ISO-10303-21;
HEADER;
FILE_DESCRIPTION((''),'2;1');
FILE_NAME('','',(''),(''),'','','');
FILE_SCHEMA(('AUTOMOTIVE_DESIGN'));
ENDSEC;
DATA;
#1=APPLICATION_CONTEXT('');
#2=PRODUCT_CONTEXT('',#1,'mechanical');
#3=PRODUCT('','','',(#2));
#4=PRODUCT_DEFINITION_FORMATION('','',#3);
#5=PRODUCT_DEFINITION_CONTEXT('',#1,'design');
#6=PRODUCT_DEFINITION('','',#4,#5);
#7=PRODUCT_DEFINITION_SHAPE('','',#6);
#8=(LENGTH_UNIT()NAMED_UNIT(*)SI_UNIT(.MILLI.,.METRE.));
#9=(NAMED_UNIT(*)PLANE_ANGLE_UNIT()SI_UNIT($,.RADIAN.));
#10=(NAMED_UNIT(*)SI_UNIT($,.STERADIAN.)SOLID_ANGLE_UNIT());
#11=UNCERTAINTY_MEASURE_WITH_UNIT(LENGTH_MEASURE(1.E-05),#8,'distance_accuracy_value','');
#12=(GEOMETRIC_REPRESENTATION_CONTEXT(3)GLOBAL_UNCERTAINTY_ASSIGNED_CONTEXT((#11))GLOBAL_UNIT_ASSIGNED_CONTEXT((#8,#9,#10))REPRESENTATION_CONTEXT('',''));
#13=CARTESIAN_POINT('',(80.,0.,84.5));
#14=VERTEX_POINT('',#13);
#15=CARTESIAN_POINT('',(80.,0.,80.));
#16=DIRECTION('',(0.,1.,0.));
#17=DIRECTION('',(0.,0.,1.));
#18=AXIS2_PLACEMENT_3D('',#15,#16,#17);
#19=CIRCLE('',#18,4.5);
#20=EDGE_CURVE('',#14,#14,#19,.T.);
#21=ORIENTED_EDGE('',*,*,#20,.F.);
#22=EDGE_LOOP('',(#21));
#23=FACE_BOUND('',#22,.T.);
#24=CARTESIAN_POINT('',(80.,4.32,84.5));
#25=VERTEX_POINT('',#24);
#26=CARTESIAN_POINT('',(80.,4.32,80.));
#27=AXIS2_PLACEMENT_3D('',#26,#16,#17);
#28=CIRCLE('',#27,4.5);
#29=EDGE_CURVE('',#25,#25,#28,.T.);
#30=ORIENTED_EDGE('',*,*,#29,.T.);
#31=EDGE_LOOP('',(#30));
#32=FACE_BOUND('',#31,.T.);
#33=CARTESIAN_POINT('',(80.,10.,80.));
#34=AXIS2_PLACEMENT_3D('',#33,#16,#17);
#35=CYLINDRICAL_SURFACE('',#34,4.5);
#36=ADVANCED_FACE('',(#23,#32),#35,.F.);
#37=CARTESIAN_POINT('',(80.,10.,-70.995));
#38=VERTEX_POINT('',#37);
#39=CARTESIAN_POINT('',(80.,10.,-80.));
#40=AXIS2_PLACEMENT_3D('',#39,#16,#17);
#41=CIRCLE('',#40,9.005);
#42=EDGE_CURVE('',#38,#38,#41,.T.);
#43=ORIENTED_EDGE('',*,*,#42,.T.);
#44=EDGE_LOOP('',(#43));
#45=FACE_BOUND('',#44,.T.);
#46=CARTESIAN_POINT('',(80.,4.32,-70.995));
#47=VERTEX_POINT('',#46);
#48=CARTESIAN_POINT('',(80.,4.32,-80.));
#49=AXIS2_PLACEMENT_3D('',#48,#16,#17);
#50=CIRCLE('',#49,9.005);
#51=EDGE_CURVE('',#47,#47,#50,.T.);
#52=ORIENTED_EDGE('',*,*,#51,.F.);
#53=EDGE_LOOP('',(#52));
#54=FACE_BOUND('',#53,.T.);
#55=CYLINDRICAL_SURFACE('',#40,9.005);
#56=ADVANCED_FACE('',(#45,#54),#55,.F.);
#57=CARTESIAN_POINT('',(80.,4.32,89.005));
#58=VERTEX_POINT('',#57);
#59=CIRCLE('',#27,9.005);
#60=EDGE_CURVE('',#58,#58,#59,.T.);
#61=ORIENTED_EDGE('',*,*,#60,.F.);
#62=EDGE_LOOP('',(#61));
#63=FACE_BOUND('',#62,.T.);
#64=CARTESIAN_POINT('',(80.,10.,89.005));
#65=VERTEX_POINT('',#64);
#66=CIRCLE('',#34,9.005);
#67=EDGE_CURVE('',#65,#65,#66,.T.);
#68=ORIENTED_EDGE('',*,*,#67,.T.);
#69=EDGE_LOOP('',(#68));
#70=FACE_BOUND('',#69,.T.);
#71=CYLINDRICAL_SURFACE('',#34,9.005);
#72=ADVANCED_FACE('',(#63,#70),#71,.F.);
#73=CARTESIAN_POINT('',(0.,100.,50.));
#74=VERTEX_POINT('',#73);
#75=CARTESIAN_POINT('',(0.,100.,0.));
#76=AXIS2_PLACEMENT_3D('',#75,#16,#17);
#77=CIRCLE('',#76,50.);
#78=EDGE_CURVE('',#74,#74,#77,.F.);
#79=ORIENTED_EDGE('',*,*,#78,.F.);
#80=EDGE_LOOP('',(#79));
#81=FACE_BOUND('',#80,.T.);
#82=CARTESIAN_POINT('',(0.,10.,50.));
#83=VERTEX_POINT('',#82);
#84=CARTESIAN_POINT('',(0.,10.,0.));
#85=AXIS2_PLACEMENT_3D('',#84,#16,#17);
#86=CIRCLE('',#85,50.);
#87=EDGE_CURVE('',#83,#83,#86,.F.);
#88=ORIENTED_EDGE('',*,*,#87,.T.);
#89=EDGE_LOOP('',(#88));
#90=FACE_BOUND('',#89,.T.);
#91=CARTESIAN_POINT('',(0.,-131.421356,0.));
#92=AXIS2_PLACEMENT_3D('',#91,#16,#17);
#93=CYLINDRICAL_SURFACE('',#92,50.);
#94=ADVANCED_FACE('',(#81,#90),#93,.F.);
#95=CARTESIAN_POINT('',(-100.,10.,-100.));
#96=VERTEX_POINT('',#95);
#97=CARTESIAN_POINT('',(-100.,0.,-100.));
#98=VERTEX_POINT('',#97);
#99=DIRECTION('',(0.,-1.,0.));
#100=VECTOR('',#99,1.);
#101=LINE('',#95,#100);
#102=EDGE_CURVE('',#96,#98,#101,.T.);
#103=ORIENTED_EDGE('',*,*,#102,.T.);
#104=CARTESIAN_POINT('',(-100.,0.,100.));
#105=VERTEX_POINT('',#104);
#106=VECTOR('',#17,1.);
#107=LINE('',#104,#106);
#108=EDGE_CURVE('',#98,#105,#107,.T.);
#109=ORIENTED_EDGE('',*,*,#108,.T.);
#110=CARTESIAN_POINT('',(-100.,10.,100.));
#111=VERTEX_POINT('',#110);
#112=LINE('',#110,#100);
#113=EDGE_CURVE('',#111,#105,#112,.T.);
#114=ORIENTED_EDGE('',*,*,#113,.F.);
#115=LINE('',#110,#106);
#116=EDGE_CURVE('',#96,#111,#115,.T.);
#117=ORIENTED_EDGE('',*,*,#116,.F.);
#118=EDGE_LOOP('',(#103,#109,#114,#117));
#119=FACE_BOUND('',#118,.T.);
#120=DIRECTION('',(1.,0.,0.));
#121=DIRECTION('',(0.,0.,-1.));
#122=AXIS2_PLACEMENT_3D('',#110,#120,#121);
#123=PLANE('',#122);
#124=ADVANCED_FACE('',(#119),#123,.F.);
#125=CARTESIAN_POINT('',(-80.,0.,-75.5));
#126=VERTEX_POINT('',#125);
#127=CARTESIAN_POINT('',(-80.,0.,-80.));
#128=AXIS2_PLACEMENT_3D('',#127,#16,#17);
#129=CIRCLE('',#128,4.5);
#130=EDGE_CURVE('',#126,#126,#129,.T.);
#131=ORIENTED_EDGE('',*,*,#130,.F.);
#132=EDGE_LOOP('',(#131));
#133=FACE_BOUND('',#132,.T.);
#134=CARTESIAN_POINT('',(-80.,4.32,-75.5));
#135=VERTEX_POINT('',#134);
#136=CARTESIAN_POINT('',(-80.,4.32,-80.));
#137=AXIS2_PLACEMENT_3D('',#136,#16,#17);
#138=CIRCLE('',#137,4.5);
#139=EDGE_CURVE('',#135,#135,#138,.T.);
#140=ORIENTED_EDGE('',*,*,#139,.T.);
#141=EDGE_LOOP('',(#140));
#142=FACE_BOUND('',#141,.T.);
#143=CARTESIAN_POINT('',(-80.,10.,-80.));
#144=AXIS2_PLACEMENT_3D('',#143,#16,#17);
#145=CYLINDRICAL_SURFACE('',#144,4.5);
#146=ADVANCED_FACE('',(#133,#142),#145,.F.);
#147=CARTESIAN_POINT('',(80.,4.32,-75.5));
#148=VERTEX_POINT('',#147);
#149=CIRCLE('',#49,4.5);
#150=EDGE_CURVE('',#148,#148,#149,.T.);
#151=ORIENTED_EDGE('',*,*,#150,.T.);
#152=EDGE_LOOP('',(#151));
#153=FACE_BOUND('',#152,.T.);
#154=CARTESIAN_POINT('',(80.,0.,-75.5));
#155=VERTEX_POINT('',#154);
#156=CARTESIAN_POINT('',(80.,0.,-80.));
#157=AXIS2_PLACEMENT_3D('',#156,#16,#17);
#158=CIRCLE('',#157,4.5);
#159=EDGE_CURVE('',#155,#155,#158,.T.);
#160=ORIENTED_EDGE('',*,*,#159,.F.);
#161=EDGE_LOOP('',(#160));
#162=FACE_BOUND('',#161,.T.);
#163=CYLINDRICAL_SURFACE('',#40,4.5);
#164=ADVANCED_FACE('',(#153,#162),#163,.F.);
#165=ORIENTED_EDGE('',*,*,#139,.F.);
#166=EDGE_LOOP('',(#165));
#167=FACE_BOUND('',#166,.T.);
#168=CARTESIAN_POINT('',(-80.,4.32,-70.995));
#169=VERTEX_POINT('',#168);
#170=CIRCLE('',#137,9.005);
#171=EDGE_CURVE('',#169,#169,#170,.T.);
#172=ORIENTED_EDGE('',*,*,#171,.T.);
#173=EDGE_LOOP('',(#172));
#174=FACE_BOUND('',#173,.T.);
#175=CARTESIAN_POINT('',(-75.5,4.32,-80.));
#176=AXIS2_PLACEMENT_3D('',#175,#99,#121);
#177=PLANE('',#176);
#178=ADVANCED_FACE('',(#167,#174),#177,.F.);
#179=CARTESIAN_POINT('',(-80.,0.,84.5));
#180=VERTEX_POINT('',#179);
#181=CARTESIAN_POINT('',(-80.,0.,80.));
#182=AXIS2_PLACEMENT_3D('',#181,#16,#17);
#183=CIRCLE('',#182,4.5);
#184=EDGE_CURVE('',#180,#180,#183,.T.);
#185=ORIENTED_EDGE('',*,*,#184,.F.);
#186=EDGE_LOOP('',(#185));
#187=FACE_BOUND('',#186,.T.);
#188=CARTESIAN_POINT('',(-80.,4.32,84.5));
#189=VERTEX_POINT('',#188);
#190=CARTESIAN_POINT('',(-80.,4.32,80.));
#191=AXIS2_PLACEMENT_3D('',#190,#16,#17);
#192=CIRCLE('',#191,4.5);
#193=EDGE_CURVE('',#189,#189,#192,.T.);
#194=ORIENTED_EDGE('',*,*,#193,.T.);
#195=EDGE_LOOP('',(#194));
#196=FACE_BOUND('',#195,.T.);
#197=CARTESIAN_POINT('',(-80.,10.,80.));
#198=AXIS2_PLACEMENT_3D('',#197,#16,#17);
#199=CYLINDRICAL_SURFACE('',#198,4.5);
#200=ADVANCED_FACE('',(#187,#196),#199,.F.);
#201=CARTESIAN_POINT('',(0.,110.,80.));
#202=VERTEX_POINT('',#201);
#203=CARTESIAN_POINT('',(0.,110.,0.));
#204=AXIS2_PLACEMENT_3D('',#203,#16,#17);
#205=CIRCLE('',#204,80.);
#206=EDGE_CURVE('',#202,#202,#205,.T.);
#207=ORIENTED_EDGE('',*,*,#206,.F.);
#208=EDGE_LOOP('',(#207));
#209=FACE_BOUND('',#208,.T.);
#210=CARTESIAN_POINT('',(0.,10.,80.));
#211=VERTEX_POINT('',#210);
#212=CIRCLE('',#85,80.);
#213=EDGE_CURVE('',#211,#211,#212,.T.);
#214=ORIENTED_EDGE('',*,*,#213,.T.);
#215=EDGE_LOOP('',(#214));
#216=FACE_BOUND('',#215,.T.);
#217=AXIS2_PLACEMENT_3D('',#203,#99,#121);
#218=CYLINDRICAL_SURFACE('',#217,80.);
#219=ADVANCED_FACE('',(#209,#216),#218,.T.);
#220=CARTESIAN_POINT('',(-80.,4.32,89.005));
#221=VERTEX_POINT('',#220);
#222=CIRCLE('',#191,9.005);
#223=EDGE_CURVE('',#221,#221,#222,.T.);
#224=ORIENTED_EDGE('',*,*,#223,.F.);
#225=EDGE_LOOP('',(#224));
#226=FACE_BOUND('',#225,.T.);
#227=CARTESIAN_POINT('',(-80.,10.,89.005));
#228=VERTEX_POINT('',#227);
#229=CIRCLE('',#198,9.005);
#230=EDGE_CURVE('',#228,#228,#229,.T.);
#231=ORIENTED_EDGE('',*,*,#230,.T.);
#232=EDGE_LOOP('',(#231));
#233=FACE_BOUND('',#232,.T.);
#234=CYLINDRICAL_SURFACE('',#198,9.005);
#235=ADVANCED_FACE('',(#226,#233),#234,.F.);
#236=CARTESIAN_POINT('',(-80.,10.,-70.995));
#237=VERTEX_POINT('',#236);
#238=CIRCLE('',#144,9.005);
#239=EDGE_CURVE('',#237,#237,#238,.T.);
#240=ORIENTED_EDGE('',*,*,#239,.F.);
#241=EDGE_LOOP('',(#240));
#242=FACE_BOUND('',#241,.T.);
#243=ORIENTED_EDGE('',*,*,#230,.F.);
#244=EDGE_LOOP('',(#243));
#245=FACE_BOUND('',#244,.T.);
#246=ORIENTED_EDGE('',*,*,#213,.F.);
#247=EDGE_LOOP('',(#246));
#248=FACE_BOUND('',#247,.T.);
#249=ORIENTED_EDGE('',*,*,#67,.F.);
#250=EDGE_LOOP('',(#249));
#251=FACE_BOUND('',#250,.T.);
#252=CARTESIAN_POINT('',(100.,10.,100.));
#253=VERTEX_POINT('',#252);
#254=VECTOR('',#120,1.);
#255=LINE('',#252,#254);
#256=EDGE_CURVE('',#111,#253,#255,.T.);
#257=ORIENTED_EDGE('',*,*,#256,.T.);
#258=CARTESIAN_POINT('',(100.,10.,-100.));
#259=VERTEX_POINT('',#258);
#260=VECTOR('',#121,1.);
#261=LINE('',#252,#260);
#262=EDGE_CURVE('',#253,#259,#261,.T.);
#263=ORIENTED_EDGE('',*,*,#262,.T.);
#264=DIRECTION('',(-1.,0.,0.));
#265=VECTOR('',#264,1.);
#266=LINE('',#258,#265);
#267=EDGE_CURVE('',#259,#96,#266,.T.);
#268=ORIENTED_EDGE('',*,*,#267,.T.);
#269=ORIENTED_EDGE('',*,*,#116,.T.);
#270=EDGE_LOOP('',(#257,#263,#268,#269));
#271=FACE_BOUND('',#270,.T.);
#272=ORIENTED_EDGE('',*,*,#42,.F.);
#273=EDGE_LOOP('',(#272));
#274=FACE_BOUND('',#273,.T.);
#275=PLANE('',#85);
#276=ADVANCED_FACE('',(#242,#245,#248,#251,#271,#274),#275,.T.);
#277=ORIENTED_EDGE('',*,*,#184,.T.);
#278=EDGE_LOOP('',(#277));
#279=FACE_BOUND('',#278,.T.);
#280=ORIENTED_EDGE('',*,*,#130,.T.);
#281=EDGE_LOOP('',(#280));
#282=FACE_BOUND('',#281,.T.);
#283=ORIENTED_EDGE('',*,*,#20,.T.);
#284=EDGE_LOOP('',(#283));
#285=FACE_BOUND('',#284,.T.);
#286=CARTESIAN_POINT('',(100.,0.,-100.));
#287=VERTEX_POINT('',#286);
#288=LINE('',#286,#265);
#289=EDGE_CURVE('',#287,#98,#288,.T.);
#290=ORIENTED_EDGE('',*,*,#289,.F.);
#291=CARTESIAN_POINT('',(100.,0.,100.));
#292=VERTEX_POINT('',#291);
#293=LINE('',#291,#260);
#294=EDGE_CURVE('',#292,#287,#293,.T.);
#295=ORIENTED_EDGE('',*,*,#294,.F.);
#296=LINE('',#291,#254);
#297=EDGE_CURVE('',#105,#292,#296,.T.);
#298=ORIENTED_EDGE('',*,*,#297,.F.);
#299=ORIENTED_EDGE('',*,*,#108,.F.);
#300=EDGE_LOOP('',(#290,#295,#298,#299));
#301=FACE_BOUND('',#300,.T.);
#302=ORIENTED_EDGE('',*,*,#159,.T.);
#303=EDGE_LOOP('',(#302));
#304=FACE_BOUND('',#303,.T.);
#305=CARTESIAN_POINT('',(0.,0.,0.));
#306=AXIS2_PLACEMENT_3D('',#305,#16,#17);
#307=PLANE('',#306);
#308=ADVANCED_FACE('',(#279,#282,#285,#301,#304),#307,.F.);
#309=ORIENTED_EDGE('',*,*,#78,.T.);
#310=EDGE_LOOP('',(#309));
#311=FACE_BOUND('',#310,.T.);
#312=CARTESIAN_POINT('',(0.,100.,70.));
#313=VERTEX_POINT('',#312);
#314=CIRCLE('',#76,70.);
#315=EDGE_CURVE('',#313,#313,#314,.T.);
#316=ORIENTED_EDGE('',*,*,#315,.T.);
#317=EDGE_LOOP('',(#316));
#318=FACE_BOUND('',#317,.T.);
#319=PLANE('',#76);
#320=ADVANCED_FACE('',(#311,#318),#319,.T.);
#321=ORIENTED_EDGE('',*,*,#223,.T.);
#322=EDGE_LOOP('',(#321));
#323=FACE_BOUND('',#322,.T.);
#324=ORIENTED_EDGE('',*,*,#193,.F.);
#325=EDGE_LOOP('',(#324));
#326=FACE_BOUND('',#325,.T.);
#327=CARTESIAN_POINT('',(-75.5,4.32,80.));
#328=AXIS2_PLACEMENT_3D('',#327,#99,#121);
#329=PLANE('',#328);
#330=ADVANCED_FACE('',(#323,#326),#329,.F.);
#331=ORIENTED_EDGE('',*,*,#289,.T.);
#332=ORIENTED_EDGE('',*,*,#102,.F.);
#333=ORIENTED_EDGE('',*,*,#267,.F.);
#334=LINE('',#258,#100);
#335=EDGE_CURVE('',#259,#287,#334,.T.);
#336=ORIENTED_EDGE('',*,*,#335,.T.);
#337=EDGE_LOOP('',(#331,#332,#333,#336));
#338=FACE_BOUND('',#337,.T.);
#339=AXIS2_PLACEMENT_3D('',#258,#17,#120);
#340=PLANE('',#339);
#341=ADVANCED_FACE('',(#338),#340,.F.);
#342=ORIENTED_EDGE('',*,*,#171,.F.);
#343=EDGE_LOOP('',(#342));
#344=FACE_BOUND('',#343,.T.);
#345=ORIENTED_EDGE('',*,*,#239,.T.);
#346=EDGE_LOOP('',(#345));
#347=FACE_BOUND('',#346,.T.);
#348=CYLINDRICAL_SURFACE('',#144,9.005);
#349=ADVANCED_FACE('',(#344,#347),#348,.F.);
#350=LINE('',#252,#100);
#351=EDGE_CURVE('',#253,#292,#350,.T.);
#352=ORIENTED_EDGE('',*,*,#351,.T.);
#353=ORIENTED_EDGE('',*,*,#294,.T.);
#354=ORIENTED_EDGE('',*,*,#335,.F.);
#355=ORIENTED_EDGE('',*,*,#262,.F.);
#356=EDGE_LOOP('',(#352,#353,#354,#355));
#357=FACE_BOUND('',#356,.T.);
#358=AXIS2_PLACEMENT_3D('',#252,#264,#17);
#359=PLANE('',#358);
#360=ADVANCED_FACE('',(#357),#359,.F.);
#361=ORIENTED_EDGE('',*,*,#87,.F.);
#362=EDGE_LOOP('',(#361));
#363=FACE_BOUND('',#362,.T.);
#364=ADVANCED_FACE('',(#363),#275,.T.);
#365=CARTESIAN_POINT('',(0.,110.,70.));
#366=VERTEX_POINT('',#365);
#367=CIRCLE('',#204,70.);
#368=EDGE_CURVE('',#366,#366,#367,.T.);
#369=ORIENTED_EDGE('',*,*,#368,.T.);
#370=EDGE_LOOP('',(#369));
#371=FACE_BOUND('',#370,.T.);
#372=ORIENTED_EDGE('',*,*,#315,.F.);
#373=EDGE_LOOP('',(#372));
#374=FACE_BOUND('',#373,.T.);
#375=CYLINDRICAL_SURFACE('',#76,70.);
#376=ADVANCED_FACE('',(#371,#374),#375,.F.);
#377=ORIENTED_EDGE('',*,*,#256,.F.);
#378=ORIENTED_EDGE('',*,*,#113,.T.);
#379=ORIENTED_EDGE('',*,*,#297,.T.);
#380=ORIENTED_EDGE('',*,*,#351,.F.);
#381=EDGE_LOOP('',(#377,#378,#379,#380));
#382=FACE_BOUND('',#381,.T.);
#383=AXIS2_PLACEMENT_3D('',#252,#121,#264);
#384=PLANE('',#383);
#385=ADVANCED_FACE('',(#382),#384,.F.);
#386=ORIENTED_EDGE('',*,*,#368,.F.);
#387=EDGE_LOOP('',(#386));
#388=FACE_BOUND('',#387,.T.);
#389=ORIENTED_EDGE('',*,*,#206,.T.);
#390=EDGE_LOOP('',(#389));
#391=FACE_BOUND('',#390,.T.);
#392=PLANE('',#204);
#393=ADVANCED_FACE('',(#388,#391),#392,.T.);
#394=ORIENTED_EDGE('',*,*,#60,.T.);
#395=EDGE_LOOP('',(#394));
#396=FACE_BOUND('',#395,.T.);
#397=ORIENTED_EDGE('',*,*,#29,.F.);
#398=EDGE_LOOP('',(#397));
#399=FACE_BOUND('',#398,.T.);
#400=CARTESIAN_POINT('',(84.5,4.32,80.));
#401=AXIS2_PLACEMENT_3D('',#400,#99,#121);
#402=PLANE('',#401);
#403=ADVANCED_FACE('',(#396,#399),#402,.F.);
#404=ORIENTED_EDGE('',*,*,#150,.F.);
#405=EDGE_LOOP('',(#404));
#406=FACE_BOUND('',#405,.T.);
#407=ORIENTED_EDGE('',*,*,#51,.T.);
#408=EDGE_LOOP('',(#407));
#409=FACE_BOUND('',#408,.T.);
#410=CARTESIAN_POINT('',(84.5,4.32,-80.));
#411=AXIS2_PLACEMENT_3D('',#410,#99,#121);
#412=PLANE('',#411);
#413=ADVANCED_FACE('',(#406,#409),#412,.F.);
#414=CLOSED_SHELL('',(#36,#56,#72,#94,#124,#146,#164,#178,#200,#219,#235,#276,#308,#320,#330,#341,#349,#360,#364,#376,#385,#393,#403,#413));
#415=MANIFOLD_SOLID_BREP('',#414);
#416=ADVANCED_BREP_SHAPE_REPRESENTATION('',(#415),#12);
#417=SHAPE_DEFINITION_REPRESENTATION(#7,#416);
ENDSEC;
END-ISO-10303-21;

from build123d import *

# Parameters (mm, degrees)
SKETCH1_W                               = 200
SKETCH1_H                               = 200
BOSS_EXTRUDE1_DEPTH                     = 10
SKETCH2_R                               = 80
BOSS_EXTRUDE2_DEPTH                     = 100
SKETCH3_R                               = 50
CUT_EXTRUDE1_DEPTH                      = 100
SKETCH4_R                               = 70
CUT_EXTRUDE2_DEPTH                      = 10
CBORE_FOR_M8_HEX_HEAD_BOLT1_D           = 9
CBORE_FOR_M8_HEX_HEAD_BOLT1_CBORE_D     = 18.01
CBORE_FOR_M8_HEX_HEAD_BOLT1_CBORE_DEPTH = 5.68


with BuildPart() as part:
    # Sketch1 → Boss-Extrude1 (new body)
    with BuildSketch(Plane(origin=(0, 0, 0), x_dir=(1, 0, 0), z_dir=(0, 1, 0))):
        Rectangle(SKETCH1_W, SKETCH1_H)
    extrude(amount=BOSS_EXTRUDE1_DEPTH)

    # Sketch2 → Boss-Extrude2 (add)
    with BuildSketch(Plane(origin=(0, 10, 0), x_dir=(1, 0, 0), z_dir=(0, 1, 0))):
        Circle(SKETCH2_R)
    extrude(amount=BOSS_EXTRUDE2_DEPTH)

    # Sketch3 → Cut-Extrude1 (cut)
    with BuildSketch(Plane(origin=(0, 110, 0), x_dir=(1, 0, 0), z_dir=(0, 1, 0))):
        Circle(SKETCH3_R)
    extrude(amount=-CUT_EXTRUDE1_DEPTH, mode=Mode.SUBTRACT)

    # Sketch4 → Cut-Extrude2 (cut)
    with BuildSketch(Plane(origin=(0, 110, 0), x_dir=(1, 0, 0), z_dir=(0, 1, 0))):
        Circle(SKETCH4_R)
    extrude(amount=-CUT_EXTRUDE2_DEPTH, mode=Mode.SUBTRACT)

    # CBORE for M8 Hex Head Bolt1 (through all)
    with Locations(Plane(origin=(80, 10, -80), x_dir=(0, 0, 1), z_dir=(0, 1, 0))):
        with Locations((0, 0), (0, -160), (160, 0), (160, -160)):
            CounterBoreHole(CBORE_FOR_M8_HEX_HEAD_BOLT1_D / 2, CBORE_FOR_M8_HEX_HEAD_BOLT1_CBORE_D / 2, CBORE_FOR_M8_HEX_HEAD_BOLT1_CBORE_DEPTH)


solid = part.part
